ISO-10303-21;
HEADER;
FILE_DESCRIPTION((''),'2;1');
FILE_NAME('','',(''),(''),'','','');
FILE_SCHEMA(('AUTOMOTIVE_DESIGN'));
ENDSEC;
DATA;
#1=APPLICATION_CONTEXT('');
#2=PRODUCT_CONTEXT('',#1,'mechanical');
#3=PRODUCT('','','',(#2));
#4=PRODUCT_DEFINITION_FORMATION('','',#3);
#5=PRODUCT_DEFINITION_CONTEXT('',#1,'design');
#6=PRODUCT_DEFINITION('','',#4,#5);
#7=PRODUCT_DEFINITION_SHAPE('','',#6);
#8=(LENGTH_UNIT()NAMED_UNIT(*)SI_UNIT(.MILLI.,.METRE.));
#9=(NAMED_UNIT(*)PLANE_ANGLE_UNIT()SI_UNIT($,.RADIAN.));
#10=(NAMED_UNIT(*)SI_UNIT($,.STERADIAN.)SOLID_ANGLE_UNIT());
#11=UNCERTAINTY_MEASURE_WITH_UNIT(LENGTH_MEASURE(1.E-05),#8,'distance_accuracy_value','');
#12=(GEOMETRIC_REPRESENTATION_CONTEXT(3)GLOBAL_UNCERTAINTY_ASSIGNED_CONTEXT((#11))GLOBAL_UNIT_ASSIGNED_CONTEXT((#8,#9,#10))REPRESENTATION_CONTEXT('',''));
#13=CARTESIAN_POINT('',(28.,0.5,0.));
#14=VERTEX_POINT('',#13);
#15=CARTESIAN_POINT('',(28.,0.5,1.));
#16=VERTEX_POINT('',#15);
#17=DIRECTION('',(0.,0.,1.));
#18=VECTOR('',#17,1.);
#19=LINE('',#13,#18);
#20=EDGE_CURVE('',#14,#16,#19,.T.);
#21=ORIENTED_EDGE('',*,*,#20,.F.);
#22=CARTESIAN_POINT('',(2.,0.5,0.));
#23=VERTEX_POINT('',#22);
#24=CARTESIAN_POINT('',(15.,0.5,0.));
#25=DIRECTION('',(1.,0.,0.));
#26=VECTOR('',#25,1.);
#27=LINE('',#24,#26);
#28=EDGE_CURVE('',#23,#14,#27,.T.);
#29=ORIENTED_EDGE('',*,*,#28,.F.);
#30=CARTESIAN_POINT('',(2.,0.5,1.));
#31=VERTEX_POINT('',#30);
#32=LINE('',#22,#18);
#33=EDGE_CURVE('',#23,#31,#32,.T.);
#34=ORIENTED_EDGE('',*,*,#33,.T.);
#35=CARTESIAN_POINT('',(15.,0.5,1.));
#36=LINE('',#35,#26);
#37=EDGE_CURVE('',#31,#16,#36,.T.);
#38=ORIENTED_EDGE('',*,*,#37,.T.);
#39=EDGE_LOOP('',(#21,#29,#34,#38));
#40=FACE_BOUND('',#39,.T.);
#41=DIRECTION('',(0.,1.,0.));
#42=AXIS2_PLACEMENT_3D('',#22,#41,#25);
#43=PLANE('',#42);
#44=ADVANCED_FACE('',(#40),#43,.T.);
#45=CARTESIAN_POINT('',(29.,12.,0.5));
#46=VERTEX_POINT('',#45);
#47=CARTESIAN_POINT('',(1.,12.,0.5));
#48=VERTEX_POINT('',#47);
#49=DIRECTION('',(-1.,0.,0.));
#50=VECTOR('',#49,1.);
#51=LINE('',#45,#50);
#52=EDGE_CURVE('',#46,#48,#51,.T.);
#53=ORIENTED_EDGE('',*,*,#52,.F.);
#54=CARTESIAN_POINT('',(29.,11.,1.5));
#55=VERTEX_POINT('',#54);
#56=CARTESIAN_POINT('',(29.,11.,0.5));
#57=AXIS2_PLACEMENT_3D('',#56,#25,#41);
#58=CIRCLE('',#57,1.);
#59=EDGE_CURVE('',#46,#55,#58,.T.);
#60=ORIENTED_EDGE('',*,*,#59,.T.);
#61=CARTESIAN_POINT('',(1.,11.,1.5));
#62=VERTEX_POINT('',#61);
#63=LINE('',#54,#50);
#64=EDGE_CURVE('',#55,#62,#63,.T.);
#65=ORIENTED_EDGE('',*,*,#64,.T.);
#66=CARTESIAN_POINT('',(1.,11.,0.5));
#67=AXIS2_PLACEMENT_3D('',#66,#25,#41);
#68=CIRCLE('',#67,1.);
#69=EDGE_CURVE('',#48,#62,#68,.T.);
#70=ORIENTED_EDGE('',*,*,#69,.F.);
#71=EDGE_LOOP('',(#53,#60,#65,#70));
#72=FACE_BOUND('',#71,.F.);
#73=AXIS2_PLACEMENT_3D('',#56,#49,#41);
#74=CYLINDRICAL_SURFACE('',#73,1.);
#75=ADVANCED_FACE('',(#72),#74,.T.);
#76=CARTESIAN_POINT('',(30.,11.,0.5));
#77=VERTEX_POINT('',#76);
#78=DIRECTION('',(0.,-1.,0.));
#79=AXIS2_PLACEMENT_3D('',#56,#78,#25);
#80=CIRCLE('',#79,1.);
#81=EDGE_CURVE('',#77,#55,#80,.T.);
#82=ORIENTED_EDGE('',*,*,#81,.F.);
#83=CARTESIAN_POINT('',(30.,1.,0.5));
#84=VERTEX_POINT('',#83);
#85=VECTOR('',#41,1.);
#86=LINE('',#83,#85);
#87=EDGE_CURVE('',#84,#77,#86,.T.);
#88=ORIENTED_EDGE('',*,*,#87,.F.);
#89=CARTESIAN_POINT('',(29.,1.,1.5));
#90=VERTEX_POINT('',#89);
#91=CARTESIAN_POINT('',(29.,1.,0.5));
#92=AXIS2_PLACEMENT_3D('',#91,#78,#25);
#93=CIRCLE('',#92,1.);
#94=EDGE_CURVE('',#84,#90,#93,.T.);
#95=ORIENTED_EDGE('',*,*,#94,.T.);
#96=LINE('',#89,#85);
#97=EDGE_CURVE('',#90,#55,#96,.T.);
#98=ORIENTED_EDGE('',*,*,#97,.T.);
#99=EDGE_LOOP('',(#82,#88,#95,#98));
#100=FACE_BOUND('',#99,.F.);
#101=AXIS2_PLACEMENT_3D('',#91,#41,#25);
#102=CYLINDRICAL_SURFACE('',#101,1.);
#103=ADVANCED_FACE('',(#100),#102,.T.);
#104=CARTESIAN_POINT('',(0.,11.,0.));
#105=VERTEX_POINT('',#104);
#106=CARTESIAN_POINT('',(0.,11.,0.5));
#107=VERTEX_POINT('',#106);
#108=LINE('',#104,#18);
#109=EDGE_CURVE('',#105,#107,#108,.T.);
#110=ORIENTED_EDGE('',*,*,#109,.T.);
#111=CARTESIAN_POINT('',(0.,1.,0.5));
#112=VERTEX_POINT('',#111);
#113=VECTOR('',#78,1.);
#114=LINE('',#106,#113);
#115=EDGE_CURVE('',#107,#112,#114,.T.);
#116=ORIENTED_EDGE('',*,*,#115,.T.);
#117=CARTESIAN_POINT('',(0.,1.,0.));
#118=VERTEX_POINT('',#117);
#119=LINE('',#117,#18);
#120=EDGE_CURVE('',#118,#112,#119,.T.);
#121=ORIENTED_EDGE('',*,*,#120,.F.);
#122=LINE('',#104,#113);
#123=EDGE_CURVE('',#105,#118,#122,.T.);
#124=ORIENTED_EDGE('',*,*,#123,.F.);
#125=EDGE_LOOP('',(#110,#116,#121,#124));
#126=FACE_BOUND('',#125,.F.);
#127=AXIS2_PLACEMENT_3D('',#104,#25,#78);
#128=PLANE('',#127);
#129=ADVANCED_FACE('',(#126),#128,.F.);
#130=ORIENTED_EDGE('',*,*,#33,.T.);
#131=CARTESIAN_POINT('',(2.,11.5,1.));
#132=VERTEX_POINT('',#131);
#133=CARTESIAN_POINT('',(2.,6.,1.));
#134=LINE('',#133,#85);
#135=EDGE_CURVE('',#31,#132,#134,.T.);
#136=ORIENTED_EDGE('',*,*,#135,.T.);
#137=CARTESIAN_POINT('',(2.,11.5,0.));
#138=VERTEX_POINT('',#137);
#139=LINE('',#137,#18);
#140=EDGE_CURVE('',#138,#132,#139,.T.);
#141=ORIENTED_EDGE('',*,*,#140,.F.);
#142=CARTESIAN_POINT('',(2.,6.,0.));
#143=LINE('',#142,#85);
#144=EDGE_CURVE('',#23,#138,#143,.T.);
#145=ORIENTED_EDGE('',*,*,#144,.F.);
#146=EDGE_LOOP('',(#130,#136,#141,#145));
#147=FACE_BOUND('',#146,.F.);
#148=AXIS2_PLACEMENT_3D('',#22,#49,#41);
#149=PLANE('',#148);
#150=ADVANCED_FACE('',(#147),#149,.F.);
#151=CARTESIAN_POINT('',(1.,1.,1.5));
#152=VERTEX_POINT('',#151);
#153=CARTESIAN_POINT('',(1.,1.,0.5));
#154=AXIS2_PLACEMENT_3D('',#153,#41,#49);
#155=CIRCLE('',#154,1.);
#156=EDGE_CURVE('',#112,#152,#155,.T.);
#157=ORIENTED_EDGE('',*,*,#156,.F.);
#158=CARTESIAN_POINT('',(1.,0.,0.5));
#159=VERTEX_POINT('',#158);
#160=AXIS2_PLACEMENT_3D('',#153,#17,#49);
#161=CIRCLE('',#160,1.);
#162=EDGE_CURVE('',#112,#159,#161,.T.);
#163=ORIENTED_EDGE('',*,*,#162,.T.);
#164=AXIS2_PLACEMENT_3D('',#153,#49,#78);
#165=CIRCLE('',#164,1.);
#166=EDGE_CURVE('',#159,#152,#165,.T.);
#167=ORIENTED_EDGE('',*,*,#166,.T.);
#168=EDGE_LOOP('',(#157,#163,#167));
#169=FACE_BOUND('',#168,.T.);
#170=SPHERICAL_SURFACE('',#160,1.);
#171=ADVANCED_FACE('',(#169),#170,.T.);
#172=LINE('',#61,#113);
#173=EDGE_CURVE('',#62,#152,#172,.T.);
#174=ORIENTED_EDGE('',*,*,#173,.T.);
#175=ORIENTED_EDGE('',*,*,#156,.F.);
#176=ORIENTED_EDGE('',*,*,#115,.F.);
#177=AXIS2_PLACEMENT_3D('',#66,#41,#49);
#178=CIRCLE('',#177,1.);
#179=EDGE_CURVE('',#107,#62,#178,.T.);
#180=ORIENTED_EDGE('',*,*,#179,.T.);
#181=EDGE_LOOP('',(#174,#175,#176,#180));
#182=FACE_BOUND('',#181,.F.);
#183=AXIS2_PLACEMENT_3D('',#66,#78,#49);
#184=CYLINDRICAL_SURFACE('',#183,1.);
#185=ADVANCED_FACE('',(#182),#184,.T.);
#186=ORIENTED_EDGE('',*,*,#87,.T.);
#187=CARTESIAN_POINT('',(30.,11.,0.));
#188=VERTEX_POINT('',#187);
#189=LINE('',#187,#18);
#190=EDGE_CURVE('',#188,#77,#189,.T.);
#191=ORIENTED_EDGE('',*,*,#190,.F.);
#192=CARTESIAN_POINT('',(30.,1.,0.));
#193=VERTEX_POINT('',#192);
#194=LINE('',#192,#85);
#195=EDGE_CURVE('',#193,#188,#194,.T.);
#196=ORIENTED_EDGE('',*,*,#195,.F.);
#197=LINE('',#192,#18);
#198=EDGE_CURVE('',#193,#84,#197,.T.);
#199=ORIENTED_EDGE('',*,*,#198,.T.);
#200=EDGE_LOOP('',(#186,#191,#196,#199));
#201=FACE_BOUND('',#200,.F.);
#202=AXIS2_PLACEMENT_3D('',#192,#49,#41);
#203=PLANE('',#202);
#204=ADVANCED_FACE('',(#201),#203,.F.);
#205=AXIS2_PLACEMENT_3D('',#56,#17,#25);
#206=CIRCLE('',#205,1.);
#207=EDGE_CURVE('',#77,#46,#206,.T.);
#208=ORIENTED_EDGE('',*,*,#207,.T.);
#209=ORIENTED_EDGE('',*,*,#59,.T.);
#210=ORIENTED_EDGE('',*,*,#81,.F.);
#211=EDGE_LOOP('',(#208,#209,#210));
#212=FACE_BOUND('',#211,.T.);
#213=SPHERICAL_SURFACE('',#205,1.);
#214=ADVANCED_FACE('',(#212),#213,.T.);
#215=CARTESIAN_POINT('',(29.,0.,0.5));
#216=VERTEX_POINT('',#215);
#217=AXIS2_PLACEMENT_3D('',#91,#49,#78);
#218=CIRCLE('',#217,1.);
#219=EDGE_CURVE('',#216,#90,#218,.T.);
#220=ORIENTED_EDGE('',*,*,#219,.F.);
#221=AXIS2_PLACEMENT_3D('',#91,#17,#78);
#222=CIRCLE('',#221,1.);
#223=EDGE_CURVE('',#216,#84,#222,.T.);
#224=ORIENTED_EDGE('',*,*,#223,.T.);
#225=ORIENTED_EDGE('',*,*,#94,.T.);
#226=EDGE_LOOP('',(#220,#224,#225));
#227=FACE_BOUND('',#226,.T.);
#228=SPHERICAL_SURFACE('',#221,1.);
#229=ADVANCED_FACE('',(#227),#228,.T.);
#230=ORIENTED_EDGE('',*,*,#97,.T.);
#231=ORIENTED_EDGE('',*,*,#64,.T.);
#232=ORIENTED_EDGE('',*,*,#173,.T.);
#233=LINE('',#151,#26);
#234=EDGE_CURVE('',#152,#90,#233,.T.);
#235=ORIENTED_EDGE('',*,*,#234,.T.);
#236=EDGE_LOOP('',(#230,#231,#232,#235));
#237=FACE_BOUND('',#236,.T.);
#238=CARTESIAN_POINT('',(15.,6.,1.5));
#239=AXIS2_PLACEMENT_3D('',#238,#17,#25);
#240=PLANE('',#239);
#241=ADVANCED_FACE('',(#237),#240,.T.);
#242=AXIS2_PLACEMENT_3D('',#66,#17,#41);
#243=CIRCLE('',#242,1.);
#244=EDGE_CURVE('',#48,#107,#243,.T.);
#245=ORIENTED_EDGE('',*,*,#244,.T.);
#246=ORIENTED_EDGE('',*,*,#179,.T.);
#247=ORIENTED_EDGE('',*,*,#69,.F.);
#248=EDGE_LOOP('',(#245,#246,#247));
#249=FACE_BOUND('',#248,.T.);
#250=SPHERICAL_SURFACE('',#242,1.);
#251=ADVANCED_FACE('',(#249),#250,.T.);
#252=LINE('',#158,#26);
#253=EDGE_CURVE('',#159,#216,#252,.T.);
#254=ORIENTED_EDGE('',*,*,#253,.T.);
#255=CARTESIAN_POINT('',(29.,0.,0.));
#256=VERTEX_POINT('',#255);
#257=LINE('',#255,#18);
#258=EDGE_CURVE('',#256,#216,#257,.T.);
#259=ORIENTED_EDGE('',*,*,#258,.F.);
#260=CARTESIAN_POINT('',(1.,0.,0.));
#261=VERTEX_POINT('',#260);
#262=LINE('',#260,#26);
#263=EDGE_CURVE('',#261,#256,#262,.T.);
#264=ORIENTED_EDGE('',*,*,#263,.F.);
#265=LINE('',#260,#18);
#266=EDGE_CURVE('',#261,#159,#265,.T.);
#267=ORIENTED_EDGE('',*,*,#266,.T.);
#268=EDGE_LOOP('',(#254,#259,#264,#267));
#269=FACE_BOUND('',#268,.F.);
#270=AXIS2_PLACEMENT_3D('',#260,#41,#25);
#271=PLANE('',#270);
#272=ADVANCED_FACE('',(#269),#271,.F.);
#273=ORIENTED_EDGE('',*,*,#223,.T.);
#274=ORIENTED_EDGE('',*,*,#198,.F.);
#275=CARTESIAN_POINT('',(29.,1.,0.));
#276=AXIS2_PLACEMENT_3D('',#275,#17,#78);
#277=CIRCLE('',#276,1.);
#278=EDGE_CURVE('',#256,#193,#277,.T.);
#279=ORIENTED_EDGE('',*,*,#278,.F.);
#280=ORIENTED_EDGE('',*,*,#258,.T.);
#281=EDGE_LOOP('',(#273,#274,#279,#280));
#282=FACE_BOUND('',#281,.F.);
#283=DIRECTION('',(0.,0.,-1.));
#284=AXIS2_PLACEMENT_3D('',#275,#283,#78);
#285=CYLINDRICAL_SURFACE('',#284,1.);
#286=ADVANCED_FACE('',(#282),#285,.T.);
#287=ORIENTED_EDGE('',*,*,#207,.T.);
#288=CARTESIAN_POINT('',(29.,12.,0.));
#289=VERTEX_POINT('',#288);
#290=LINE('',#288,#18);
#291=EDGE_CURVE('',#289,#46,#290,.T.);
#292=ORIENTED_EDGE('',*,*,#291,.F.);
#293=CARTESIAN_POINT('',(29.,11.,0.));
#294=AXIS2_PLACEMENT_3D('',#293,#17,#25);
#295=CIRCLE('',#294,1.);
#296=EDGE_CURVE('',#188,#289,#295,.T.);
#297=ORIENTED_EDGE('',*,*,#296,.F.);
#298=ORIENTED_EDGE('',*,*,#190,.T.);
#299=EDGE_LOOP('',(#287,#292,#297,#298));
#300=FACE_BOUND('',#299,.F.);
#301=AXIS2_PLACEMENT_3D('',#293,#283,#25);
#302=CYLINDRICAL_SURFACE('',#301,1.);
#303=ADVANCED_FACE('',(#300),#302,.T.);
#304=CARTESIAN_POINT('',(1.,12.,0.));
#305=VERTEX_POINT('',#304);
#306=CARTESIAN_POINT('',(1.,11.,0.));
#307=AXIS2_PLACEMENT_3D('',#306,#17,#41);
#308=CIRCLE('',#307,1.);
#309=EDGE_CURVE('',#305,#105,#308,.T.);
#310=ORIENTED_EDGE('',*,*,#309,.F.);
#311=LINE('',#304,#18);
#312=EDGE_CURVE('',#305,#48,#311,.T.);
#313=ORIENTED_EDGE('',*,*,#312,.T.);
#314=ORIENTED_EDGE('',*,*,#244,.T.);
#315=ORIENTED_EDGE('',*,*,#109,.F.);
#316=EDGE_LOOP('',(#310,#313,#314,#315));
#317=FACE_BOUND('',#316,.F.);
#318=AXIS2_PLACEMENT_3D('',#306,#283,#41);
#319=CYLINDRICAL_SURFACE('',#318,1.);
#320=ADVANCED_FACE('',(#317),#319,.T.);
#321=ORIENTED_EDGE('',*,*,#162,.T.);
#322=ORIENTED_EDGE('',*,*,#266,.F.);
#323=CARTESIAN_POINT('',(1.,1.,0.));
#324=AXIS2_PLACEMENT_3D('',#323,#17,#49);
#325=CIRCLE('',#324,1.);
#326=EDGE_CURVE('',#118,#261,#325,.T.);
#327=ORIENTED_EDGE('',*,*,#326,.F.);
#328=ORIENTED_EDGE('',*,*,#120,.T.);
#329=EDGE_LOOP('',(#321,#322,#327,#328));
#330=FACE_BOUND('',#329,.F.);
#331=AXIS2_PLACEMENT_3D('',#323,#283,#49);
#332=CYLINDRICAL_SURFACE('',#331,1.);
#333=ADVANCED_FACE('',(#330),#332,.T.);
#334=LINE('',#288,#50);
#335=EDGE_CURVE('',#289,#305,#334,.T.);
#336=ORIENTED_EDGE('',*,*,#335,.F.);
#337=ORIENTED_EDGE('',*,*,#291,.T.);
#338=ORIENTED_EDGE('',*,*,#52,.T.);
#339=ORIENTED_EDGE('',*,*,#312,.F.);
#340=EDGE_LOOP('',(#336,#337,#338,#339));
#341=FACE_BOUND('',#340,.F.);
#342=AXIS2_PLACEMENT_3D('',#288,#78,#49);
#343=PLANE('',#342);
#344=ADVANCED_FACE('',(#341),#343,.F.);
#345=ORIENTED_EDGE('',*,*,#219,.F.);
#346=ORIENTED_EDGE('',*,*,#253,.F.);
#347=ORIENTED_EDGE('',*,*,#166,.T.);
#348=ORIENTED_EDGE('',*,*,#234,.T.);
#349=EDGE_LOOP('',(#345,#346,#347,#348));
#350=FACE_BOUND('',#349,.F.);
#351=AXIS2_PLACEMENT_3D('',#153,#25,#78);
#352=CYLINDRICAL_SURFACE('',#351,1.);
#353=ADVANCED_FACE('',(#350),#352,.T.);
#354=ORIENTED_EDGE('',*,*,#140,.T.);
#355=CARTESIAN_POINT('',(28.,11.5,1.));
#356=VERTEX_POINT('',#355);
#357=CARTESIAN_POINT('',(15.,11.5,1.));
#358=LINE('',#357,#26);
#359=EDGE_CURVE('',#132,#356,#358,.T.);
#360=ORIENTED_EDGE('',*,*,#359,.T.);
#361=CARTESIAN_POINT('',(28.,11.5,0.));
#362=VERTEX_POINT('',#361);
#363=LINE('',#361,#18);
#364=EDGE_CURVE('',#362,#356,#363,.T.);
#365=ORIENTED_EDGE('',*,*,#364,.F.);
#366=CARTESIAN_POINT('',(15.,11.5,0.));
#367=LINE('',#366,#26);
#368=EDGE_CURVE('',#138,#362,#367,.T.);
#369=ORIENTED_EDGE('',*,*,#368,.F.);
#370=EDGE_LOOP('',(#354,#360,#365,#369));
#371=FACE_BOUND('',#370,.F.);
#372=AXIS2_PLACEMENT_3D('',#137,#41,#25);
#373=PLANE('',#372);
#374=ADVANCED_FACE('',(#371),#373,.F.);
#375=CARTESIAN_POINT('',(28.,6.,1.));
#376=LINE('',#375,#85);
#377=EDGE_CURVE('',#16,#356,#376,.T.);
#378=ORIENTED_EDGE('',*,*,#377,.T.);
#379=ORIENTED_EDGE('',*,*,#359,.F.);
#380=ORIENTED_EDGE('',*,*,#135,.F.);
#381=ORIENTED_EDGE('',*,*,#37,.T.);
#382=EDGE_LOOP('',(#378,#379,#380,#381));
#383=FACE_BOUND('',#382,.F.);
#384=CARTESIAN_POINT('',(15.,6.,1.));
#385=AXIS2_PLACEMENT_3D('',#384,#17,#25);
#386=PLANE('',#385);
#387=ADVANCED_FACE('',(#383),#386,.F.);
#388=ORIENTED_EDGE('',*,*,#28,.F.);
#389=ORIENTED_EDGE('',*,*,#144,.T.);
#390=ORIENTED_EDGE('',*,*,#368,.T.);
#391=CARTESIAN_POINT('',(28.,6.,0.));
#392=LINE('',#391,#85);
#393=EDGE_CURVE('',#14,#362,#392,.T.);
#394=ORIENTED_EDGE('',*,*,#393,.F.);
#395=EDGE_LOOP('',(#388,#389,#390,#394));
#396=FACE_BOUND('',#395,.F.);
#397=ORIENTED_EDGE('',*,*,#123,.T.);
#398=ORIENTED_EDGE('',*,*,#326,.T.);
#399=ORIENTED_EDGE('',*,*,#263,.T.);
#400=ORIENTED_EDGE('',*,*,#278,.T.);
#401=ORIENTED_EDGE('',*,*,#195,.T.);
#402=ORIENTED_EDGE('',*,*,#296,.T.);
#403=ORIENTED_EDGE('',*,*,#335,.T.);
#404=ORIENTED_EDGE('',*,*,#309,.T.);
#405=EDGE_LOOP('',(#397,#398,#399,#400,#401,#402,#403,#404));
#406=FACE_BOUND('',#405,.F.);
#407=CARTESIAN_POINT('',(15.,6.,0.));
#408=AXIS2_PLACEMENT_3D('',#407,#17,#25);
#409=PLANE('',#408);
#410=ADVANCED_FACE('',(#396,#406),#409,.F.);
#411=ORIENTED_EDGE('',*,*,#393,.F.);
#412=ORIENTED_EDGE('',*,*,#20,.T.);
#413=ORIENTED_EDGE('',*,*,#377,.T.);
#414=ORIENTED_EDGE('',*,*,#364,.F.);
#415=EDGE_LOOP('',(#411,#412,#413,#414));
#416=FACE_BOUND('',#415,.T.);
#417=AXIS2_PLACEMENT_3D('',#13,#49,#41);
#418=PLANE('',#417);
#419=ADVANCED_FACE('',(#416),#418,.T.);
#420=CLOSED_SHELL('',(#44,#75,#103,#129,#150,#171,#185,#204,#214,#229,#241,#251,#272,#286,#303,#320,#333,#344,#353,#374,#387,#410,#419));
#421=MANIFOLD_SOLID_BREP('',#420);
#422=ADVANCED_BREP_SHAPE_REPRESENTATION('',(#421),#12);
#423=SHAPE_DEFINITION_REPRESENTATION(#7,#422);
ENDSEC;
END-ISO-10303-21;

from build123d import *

# Parameters (mm, degrees)
F1_DEPTH = 1.5
F2_R     = 1
F3_W     = 26
F3_H     = 11
F4_DEPTH = 1


with BuildPart() as f1:
    # F0 (on Top) → F1 (new body)
    with BuildSketch(Plane.XY):
        with BuildLine():
            ThreePointArc((0, 1), (0.2928932188, 0.2928932188), (1, 0))
            Line((1, 0), (29, 0))
            ThreePointArc((29, 0), (29.7071067812, 0.2928932188), (30, 1))
            Line((30, 1), (30, 11))
            ThreePointArc((30, 11), (29.7071067812, 11.7071067812), (29, 12))
            Line((29, 12), (1, 12))
            ThreePointArc((1, 12), (0.2928932188, 11.7071067812), (0, 11))
            Line((0, 11), (0, 1))
        make_face()
    extrude(amount=F1_DEPTH)

    # F2
    f2_edges = [f1.edges().sort_by_distance(p)[0] for p in [
        (0, 6, 1.5),
        (0.292893, 0.292893, 1.5),
        (15, 0, 1.5),
        (29.707107, 0.292893, 1.5),
        (30, 6, 1.5),
        (29.707107, 11.707107, 1.5),
        (15, 12, 1.5),
        (0.292893, 11.707107, 1.5),
    ]]
    fillet(f2_edges, radius=F2_R)

    # F3 (on Top) → F4 (cut)
    with BuildSketch(Plane.XY):
        with Locations((15, 6)):
            Rectangle(F3_W, F3_H)
    extrude(amount=F4_DEPTH, mode=Mode.SUBTRACT)


solid = f1.part
